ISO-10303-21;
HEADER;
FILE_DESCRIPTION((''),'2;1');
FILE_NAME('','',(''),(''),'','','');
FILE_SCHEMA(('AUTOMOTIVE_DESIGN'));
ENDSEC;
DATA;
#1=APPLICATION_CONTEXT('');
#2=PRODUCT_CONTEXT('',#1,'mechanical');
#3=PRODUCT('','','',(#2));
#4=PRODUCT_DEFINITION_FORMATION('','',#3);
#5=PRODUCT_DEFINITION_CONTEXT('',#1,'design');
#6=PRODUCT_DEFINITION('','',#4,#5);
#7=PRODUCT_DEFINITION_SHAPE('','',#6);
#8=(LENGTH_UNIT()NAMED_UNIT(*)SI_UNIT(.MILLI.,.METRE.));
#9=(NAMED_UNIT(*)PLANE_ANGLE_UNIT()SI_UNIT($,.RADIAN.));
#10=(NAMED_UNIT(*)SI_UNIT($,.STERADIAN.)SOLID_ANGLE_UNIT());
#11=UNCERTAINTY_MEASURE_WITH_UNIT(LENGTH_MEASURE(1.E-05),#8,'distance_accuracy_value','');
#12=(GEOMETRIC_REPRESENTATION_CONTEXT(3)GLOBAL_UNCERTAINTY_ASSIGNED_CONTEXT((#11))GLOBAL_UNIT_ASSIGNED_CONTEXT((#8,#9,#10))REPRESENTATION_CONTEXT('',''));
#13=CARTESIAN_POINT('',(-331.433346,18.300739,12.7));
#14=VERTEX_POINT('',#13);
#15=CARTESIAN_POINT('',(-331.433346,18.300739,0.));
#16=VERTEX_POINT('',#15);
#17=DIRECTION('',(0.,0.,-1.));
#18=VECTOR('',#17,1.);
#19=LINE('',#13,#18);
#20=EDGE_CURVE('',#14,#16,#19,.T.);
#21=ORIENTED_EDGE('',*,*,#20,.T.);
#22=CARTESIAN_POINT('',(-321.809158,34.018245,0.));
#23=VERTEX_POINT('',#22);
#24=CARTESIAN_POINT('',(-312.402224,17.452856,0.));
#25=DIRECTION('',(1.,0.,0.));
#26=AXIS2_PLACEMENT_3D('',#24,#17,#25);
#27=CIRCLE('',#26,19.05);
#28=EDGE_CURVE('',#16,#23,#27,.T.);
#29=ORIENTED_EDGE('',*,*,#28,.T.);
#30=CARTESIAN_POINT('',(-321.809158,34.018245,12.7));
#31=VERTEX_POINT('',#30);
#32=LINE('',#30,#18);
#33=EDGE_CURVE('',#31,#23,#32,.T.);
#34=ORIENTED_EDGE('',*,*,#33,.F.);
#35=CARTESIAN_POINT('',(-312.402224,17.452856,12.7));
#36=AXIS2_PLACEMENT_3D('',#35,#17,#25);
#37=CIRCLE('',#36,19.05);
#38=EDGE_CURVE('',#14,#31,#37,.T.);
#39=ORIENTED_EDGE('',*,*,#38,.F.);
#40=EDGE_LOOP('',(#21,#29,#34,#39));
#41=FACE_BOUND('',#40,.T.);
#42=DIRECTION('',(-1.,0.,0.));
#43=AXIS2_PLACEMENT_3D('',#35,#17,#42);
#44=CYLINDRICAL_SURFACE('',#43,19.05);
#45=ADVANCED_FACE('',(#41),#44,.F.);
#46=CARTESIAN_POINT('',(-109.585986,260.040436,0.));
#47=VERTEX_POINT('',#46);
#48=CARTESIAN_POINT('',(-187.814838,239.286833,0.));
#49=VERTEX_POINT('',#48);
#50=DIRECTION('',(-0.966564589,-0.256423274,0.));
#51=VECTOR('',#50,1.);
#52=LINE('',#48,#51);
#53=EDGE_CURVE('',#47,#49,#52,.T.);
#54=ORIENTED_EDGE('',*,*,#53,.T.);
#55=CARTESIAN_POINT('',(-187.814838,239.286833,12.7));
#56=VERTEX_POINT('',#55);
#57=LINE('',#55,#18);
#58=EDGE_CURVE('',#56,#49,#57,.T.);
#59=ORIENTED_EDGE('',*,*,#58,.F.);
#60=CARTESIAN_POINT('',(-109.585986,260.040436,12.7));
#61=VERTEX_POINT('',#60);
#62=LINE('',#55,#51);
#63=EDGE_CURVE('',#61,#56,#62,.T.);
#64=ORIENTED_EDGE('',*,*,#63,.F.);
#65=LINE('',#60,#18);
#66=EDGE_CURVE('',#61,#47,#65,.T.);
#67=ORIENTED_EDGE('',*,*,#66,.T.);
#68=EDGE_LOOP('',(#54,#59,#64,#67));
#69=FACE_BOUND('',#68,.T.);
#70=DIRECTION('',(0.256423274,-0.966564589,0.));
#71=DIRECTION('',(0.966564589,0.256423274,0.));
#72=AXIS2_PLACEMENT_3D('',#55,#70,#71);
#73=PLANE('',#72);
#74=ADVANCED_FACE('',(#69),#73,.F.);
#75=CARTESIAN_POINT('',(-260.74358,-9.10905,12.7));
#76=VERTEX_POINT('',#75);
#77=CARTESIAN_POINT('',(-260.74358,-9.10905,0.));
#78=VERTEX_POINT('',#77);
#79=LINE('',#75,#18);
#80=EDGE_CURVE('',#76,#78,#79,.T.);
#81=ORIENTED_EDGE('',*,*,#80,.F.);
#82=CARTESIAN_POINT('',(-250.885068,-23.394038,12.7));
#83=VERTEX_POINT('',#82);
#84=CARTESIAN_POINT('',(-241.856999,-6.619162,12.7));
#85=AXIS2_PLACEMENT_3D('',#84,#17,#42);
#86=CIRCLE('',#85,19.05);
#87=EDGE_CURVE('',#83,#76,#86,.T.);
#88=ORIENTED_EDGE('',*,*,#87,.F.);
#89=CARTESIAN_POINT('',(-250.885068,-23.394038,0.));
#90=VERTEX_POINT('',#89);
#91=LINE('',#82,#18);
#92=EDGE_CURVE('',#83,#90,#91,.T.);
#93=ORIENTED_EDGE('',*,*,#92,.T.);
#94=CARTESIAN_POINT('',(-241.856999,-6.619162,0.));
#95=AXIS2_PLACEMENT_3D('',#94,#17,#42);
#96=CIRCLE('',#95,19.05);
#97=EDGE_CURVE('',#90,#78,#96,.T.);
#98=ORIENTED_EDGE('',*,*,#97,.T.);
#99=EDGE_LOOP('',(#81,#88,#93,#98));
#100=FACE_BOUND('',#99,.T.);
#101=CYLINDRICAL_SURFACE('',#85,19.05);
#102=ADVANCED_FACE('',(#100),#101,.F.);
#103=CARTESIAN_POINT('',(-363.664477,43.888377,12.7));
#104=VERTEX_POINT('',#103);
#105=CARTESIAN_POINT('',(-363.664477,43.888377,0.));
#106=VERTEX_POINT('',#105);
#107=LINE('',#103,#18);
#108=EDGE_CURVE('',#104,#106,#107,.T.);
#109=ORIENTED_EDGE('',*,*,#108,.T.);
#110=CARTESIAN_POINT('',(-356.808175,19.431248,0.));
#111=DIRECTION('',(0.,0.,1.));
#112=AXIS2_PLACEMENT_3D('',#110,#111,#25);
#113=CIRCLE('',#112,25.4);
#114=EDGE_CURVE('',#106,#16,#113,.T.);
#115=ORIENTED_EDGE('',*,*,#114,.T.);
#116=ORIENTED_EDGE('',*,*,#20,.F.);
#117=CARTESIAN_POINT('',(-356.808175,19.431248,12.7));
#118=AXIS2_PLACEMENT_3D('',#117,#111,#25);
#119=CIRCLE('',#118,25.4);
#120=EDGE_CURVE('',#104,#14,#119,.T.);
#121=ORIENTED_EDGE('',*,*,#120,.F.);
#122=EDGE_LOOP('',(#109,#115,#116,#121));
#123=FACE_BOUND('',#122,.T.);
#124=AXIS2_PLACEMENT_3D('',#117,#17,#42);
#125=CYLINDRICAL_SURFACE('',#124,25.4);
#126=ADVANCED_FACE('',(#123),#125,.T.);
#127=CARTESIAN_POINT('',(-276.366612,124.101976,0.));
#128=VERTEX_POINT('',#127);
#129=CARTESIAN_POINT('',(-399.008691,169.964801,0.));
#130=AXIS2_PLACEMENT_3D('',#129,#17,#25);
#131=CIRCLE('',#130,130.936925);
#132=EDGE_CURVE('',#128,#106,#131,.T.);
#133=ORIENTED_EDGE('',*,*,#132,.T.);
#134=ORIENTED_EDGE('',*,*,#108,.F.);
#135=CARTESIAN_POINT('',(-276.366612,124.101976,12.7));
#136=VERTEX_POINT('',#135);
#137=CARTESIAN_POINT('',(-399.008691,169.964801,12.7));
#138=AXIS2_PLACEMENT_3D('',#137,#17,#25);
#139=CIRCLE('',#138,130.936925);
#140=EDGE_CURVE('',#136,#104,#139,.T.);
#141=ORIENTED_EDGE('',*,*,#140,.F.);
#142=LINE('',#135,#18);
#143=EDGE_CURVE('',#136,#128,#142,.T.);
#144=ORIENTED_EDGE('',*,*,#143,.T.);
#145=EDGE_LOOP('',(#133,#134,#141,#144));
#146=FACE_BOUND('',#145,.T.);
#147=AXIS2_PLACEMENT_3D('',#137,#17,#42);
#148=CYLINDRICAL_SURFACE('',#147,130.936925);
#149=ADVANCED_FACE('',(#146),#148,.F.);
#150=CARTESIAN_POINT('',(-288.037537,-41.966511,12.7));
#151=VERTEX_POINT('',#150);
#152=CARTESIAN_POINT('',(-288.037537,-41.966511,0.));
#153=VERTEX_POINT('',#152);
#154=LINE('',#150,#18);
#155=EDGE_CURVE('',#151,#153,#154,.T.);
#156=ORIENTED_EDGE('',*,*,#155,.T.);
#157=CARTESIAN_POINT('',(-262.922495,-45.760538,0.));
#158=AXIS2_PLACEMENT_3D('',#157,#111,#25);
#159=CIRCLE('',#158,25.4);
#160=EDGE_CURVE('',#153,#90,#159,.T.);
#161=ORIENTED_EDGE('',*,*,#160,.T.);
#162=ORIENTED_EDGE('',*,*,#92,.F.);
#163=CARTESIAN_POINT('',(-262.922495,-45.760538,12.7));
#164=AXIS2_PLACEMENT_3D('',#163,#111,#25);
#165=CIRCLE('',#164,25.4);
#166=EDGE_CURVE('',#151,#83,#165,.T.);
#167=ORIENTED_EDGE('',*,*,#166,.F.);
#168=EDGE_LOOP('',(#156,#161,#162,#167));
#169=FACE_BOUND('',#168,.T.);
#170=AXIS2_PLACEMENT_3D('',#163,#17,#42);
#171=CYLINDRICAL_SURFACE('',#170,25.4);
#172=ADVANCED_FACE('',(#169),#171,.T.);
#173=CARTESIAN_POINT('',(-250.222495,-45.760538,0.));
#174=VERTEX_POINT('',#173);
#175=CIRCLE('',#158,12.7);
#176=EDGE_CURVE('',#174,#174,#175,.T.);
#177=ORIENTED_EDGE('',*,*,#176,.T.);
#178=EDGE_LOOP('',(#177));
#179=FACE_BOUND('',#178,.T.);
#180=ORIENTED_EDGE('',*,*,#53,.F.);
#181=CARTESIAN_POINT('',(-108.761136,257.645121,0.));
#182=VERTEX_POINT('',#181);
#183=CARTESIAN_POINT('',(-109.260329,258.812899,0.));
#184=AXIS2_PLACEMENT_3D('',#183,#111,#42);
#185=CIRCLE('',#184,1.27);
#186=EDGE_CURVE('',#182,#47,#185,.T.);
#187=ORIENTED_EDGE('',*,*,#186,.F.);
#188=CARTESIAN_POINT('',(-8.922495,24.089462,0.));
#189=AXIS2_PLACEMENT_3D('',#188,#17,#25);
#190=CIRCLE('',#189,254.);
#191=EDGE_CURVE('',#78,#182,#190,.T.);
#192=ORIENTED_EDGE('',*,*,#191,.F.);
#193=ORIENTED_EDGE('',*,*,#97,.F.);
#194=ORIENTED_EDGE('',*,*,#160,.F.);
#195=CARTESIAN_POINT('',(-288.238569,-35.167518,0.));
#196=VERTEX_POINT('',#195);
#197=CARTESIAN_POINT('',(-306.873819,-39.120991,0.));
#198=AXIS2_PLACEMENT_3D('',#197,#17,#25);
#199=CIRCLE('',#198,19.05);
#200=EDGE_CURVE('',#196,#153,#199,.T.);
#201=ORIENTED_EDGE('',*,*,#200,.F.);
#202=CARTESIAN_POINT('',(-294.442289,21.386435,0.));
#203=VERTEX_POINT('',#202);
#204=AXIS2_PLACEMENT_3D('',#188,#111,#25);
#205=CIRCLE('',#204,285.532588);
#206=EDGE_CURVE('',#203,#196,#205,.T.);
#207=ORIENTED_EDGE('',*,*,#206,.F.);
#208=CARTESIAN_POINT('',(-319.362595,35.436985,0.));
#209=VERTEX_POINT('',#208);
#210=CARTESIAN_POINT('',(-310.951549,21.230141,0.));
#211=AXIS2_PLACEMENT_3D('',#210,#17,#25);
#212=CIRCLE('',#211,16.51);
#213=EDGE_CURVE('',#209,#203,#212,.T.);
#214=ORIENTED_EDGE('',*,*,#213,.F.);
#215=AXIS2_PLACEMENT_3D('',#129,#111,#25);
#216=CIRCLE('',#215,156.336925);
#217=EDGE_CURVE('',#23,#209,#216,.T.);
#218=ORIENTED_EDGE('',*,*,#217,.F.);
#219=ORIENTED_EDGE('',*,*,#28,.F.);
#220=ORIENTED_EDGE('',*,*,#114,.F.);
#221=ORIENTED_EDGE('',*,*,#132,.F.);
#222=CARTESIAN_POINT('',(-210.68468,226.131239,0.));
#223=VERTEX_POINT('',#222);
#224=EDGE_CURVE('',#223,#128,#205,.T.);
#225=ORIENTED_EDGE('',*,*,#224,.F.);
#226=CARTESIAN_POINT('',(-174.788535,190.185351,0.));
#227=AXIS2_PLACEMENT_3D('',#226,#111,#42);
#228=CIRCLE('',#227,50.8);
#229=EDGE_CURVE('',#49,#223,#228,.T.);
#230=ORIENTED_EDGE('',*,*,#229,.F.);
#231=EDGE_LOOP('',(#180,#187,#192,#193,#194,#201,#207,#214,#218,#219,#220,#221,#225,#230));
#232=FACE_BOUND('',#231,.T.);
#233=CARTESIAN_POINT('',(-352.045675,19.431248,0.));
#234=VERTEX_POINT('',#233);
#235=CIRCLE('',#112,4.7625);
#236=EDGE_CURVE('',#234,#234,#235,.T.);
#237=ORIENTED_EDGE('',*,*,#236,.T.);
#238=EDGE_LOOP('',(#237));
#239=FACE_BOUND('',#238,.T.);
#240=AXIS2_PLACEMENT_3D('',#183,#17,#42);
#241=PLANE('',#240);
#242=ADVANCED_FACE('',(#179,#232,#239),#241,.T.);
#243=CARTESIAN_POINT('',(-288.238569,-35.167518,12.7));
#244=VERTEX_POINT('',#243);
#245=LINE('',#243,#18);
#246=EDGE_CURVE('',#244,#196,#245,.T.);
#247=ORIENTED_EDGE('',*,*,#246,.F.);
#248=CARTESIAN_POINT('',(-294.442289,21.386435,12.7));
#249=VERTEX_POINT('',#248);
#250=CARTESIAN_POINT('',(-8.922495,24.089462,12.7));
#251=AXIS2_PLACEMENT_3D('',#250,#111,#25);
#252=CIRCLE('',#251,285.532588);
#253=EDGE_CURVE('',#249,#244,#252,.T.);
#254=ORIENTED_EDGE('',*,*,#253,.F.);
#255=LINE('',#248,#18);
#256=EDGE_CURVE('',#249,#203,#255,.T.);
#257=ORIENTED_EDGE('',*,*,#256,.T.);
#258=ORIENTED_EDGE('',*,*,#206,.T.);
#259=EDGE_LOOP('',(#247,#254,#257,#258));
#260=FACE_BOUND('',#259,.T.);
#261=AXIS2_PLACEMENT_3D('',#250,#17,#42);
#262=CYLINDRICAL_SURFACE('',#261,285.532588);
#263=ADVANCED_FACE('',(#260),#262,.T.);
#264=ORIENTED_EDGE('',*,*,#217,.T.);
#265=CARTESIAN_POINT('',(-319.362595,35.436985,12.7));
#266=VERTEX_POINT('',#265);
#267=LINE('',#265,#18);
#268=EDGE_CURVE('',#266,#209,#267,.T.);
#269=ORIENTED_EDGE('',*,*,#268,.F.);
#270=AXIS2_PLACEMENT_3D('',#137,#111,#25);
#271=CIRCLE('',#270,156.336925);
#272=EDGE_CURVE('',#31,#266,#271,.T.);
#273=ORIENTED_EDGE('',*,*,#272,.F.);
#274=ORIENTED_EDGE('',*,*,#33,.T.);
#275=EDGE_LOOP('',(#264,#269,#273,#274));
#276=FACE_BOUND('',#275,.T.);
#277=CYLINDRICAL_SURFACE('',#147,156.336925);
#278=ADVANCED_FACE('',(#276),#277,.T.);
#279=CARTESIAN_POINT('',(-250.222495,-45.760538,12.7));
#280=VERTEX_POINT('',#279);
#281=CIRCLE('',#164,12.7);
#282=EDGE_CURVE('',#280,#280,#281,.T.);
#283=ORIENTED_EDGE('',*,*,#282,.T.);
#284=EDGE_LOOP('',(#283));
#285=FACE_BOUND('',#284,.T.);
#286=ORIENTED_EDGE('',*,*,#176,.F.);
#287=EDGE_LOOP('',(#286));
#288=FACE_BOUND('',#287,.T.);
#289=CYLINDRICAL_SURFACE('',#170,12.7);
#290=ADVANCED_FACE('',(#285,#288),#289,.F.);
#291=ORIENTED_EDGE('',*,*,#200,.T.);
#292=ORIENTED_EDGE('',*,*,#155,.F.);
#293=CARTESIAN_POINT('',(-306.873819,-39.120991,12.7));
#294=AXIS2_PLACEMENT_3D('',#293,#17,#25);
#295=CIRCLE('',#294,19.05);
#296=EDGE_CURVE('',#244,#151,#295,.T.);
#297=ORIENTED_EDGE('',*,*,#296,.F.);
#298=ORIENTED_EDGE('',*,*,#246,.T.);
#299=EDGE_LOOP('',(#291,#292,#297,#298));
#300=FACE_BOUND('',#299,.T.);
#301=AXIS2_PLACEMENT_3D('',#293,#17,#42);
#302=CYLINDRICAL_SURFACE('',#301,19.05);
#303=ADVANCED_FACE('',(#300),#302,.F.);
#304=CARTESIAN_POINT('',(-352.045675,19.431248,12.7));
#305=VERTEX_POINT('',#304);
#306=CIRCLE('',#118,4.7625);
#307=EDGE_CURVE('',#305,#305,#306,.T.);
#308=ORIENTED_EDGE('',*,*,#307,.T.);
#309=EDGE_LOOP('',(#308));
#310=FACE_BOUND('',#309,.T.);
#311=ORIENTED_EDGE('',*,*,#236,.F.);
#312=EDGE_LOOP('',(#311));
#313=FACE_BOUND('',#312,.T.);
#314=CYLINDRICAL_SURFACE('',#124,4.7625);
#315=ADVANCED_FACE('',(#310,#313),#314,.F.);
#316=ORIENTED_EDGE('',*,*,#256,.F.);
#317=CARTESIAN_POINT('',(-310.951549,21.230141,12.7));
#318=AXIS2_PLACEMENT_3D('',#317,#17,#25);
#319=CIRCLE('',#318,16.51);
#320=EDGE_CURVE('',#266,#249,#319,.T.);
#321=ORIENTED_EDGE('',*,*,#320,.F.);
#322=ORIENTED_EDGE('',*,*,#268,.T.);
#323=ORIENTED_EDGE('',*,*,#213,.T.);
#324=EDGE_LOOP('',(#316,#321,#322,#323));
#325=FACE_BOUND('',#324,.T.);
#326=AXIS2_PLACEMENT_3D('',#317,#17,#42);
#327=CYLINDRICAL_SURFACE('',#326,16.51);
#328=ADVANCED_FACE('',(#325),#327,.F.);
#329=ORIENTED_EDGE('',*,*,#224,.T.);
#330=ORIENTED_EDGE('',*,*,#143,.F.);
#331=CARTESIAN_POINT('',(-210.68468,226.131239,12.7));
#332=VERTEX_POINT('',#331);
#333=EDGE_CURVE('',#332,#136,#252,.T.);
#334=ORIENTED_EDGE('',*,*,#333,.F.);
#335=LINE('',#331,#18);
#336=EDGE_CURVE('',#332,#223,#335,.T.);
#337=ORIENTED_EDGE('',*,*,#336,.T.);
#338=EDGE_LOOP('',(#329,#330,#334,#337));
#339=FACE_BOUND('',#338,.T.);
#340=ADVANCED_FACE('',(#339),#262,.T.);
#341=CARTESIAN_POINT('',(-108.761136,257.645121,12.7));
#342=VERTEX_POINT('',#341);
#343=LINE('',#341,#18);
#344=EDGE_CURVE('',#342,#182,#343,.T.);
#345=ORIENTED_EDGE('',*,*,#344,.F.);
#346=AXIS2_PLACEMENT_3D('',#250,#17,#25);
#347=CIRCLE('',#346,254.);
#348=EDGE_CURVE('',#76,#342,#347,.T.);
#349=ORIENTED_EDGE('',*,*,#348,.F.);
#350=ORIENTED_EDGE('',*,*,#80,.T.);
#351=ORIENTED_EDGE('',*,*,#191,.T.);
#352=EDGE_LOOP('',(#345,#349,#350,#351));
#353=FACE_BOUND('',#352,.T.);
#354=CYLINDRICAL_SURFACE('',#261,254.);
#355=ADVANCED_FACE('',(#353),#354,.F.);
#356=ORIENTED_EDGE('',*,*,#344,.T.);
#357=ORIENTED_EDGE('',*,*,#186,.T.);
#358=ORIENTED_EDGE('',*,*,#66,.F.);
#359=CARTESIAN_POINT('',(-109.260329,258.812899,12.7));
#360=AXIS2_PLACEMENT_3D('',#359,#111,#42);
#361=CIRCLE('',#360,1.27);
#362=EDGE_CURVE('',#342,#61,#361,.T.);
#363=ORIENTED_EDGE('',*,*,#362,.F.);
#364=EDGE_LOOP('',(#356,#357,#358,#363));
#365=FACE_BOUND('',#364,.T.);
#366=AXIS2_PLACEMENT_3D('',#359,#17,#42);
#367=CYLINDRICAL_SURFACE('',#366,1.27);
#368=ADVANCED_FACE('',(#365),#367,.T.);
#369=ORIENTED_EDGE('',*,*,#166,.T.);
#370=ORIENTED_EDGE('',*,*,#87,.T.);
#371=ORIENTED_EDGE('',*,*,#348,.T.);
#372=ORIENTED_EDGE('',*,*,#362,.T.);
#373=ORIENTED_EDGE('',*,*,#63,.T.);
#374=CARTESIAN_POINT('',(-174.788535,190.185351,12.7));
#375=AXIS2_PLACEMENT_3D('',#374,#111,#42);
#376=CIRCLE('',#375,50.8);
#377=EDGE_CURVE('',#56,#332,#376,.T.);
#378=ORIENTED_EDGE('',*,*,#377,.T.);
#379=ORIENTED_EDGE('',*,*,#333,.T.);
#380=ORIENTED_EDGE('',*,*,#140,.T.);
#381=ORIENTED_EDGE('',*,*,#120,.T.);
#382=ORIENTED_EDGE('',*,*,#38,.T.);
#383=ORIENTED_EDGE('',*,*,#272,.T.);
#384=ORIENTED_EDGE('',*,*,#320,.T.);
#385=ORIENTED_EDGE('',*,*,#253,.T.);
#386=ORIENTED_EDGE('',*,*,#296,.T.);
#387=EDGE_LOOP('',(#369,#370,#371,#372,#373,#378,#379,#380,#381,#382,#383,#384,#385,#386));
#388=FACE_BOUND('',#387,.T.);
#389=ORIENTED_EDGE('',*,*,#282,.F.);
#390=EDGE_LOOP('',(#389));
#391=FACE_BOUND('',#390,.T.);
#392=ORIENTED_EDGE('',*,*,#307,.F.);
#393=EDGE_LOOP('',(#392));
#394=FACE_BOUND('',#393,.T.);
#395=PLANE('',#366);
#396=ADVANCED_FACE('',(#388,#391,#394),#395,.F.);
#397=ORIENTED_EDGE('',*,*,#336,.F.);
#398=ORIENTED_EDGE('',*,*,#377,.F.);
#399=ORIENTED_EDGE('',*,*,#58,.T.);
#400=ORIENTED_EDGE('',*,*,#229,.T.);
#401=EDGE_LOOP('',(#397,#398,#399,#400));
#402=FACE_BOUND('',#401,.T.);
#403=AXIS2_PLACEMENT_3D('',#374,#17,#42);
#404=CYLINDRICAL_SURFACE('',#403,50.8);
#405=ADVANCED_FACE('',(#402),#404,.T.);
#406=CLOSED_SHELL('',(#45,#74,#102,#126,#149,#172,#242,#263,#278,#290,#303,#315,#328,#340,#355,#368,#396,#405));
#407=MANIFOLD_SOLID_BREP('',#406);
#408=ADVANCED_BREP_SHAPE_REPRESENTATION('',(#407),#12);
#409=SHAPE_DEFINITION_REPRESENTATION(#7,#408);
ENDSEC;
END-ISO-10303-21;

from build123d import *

# Parameters (mm, degrees)
SKETCH1_R           = 12.7
SKETCH1_R_2         = 4.7625
BOSS_EXTRUDE1_DEPTH = 12.7


with BuildPart() as part:
    # Sketch1 → Boss-Extrude1 (new body)
    with BuildSketch(Plane.XY):
        with BuildLine():
            Line((-187.814837627, 239.286832502), (-109.585986317, 260.040435914))
            ThreePointArc((-109.585986317, 260.040435914), (-108.059532137, 259.226405199), (-108.761135557, 257.645120591))
            ThreePointArc((-108.761135557, 257.645120591), (-229.615919323, 149.828924192), (-260.74357991, -9.109050224))
            ThreePointArc((-260.74357991, -9.109050224), (-257.535715145, -17.439529004), (-250.885068445, -23.394037509))
            ThreePointArc((-250.885068445, -23.394037509), (-251.565109459, -68.479908862), (-288.037537466, -41.966511367))
            ThreePointArc((-288.037537466, -41.966511367), (-287.832141181, -38.557969421), (-288.238569154, -35.167517809))
            ThreePointArc((-288.238569154, -35.167517809), (-292.752508854, -7.04544043), (-294.442288596, 21.386434854))
            ThreePointArc((-294.442288596, 21.386434854), (-302.842926447, 35.611738456), (-319.362594724, 35.436984704))
            ThreePointArc((-319.362594724, 35.436984704), (-320.58266827, 34.722082272), (-321.809158258, 34.018244753))
            ThreePointArc((-321.809158258, 34.018244753), (-328.648477907, 27.400808215), (-331.433346202, 18.300738536))
            ThreePointArc((-331.433346202, 18.300738536), (-372.60107774, -0.462072999), (-363.664476838, 43.888376615))
            ThreePointArc((-363.664476838, 43.888376615), (-310.417085479, 73.549005343), (-276.36661221, 124.101976107))
            ThreePointArc((-276.36661221, 124.101976107), (-249.008169348, 178.646013909), (-210.684679592, 226.131238859))
            ThreePointArc((-210.684679592, 226.131238859), (-200.118731843, 234.219669183), (-187.814837627, 239.286832502))
        make_face()
        with Locations((-262.922494985, -45.760538404)):
            Circle(SKETCH1_R, mode=Mode.SUBTRACT)
        with Locations((-356.808175222, 19.431248244)):
            Circle(SKETCH1_R_2, mode=Mode.SUBTRACT)
    extrude(amount=BOSS_EXTRUDE1_DEPTH)


solid = part.part
